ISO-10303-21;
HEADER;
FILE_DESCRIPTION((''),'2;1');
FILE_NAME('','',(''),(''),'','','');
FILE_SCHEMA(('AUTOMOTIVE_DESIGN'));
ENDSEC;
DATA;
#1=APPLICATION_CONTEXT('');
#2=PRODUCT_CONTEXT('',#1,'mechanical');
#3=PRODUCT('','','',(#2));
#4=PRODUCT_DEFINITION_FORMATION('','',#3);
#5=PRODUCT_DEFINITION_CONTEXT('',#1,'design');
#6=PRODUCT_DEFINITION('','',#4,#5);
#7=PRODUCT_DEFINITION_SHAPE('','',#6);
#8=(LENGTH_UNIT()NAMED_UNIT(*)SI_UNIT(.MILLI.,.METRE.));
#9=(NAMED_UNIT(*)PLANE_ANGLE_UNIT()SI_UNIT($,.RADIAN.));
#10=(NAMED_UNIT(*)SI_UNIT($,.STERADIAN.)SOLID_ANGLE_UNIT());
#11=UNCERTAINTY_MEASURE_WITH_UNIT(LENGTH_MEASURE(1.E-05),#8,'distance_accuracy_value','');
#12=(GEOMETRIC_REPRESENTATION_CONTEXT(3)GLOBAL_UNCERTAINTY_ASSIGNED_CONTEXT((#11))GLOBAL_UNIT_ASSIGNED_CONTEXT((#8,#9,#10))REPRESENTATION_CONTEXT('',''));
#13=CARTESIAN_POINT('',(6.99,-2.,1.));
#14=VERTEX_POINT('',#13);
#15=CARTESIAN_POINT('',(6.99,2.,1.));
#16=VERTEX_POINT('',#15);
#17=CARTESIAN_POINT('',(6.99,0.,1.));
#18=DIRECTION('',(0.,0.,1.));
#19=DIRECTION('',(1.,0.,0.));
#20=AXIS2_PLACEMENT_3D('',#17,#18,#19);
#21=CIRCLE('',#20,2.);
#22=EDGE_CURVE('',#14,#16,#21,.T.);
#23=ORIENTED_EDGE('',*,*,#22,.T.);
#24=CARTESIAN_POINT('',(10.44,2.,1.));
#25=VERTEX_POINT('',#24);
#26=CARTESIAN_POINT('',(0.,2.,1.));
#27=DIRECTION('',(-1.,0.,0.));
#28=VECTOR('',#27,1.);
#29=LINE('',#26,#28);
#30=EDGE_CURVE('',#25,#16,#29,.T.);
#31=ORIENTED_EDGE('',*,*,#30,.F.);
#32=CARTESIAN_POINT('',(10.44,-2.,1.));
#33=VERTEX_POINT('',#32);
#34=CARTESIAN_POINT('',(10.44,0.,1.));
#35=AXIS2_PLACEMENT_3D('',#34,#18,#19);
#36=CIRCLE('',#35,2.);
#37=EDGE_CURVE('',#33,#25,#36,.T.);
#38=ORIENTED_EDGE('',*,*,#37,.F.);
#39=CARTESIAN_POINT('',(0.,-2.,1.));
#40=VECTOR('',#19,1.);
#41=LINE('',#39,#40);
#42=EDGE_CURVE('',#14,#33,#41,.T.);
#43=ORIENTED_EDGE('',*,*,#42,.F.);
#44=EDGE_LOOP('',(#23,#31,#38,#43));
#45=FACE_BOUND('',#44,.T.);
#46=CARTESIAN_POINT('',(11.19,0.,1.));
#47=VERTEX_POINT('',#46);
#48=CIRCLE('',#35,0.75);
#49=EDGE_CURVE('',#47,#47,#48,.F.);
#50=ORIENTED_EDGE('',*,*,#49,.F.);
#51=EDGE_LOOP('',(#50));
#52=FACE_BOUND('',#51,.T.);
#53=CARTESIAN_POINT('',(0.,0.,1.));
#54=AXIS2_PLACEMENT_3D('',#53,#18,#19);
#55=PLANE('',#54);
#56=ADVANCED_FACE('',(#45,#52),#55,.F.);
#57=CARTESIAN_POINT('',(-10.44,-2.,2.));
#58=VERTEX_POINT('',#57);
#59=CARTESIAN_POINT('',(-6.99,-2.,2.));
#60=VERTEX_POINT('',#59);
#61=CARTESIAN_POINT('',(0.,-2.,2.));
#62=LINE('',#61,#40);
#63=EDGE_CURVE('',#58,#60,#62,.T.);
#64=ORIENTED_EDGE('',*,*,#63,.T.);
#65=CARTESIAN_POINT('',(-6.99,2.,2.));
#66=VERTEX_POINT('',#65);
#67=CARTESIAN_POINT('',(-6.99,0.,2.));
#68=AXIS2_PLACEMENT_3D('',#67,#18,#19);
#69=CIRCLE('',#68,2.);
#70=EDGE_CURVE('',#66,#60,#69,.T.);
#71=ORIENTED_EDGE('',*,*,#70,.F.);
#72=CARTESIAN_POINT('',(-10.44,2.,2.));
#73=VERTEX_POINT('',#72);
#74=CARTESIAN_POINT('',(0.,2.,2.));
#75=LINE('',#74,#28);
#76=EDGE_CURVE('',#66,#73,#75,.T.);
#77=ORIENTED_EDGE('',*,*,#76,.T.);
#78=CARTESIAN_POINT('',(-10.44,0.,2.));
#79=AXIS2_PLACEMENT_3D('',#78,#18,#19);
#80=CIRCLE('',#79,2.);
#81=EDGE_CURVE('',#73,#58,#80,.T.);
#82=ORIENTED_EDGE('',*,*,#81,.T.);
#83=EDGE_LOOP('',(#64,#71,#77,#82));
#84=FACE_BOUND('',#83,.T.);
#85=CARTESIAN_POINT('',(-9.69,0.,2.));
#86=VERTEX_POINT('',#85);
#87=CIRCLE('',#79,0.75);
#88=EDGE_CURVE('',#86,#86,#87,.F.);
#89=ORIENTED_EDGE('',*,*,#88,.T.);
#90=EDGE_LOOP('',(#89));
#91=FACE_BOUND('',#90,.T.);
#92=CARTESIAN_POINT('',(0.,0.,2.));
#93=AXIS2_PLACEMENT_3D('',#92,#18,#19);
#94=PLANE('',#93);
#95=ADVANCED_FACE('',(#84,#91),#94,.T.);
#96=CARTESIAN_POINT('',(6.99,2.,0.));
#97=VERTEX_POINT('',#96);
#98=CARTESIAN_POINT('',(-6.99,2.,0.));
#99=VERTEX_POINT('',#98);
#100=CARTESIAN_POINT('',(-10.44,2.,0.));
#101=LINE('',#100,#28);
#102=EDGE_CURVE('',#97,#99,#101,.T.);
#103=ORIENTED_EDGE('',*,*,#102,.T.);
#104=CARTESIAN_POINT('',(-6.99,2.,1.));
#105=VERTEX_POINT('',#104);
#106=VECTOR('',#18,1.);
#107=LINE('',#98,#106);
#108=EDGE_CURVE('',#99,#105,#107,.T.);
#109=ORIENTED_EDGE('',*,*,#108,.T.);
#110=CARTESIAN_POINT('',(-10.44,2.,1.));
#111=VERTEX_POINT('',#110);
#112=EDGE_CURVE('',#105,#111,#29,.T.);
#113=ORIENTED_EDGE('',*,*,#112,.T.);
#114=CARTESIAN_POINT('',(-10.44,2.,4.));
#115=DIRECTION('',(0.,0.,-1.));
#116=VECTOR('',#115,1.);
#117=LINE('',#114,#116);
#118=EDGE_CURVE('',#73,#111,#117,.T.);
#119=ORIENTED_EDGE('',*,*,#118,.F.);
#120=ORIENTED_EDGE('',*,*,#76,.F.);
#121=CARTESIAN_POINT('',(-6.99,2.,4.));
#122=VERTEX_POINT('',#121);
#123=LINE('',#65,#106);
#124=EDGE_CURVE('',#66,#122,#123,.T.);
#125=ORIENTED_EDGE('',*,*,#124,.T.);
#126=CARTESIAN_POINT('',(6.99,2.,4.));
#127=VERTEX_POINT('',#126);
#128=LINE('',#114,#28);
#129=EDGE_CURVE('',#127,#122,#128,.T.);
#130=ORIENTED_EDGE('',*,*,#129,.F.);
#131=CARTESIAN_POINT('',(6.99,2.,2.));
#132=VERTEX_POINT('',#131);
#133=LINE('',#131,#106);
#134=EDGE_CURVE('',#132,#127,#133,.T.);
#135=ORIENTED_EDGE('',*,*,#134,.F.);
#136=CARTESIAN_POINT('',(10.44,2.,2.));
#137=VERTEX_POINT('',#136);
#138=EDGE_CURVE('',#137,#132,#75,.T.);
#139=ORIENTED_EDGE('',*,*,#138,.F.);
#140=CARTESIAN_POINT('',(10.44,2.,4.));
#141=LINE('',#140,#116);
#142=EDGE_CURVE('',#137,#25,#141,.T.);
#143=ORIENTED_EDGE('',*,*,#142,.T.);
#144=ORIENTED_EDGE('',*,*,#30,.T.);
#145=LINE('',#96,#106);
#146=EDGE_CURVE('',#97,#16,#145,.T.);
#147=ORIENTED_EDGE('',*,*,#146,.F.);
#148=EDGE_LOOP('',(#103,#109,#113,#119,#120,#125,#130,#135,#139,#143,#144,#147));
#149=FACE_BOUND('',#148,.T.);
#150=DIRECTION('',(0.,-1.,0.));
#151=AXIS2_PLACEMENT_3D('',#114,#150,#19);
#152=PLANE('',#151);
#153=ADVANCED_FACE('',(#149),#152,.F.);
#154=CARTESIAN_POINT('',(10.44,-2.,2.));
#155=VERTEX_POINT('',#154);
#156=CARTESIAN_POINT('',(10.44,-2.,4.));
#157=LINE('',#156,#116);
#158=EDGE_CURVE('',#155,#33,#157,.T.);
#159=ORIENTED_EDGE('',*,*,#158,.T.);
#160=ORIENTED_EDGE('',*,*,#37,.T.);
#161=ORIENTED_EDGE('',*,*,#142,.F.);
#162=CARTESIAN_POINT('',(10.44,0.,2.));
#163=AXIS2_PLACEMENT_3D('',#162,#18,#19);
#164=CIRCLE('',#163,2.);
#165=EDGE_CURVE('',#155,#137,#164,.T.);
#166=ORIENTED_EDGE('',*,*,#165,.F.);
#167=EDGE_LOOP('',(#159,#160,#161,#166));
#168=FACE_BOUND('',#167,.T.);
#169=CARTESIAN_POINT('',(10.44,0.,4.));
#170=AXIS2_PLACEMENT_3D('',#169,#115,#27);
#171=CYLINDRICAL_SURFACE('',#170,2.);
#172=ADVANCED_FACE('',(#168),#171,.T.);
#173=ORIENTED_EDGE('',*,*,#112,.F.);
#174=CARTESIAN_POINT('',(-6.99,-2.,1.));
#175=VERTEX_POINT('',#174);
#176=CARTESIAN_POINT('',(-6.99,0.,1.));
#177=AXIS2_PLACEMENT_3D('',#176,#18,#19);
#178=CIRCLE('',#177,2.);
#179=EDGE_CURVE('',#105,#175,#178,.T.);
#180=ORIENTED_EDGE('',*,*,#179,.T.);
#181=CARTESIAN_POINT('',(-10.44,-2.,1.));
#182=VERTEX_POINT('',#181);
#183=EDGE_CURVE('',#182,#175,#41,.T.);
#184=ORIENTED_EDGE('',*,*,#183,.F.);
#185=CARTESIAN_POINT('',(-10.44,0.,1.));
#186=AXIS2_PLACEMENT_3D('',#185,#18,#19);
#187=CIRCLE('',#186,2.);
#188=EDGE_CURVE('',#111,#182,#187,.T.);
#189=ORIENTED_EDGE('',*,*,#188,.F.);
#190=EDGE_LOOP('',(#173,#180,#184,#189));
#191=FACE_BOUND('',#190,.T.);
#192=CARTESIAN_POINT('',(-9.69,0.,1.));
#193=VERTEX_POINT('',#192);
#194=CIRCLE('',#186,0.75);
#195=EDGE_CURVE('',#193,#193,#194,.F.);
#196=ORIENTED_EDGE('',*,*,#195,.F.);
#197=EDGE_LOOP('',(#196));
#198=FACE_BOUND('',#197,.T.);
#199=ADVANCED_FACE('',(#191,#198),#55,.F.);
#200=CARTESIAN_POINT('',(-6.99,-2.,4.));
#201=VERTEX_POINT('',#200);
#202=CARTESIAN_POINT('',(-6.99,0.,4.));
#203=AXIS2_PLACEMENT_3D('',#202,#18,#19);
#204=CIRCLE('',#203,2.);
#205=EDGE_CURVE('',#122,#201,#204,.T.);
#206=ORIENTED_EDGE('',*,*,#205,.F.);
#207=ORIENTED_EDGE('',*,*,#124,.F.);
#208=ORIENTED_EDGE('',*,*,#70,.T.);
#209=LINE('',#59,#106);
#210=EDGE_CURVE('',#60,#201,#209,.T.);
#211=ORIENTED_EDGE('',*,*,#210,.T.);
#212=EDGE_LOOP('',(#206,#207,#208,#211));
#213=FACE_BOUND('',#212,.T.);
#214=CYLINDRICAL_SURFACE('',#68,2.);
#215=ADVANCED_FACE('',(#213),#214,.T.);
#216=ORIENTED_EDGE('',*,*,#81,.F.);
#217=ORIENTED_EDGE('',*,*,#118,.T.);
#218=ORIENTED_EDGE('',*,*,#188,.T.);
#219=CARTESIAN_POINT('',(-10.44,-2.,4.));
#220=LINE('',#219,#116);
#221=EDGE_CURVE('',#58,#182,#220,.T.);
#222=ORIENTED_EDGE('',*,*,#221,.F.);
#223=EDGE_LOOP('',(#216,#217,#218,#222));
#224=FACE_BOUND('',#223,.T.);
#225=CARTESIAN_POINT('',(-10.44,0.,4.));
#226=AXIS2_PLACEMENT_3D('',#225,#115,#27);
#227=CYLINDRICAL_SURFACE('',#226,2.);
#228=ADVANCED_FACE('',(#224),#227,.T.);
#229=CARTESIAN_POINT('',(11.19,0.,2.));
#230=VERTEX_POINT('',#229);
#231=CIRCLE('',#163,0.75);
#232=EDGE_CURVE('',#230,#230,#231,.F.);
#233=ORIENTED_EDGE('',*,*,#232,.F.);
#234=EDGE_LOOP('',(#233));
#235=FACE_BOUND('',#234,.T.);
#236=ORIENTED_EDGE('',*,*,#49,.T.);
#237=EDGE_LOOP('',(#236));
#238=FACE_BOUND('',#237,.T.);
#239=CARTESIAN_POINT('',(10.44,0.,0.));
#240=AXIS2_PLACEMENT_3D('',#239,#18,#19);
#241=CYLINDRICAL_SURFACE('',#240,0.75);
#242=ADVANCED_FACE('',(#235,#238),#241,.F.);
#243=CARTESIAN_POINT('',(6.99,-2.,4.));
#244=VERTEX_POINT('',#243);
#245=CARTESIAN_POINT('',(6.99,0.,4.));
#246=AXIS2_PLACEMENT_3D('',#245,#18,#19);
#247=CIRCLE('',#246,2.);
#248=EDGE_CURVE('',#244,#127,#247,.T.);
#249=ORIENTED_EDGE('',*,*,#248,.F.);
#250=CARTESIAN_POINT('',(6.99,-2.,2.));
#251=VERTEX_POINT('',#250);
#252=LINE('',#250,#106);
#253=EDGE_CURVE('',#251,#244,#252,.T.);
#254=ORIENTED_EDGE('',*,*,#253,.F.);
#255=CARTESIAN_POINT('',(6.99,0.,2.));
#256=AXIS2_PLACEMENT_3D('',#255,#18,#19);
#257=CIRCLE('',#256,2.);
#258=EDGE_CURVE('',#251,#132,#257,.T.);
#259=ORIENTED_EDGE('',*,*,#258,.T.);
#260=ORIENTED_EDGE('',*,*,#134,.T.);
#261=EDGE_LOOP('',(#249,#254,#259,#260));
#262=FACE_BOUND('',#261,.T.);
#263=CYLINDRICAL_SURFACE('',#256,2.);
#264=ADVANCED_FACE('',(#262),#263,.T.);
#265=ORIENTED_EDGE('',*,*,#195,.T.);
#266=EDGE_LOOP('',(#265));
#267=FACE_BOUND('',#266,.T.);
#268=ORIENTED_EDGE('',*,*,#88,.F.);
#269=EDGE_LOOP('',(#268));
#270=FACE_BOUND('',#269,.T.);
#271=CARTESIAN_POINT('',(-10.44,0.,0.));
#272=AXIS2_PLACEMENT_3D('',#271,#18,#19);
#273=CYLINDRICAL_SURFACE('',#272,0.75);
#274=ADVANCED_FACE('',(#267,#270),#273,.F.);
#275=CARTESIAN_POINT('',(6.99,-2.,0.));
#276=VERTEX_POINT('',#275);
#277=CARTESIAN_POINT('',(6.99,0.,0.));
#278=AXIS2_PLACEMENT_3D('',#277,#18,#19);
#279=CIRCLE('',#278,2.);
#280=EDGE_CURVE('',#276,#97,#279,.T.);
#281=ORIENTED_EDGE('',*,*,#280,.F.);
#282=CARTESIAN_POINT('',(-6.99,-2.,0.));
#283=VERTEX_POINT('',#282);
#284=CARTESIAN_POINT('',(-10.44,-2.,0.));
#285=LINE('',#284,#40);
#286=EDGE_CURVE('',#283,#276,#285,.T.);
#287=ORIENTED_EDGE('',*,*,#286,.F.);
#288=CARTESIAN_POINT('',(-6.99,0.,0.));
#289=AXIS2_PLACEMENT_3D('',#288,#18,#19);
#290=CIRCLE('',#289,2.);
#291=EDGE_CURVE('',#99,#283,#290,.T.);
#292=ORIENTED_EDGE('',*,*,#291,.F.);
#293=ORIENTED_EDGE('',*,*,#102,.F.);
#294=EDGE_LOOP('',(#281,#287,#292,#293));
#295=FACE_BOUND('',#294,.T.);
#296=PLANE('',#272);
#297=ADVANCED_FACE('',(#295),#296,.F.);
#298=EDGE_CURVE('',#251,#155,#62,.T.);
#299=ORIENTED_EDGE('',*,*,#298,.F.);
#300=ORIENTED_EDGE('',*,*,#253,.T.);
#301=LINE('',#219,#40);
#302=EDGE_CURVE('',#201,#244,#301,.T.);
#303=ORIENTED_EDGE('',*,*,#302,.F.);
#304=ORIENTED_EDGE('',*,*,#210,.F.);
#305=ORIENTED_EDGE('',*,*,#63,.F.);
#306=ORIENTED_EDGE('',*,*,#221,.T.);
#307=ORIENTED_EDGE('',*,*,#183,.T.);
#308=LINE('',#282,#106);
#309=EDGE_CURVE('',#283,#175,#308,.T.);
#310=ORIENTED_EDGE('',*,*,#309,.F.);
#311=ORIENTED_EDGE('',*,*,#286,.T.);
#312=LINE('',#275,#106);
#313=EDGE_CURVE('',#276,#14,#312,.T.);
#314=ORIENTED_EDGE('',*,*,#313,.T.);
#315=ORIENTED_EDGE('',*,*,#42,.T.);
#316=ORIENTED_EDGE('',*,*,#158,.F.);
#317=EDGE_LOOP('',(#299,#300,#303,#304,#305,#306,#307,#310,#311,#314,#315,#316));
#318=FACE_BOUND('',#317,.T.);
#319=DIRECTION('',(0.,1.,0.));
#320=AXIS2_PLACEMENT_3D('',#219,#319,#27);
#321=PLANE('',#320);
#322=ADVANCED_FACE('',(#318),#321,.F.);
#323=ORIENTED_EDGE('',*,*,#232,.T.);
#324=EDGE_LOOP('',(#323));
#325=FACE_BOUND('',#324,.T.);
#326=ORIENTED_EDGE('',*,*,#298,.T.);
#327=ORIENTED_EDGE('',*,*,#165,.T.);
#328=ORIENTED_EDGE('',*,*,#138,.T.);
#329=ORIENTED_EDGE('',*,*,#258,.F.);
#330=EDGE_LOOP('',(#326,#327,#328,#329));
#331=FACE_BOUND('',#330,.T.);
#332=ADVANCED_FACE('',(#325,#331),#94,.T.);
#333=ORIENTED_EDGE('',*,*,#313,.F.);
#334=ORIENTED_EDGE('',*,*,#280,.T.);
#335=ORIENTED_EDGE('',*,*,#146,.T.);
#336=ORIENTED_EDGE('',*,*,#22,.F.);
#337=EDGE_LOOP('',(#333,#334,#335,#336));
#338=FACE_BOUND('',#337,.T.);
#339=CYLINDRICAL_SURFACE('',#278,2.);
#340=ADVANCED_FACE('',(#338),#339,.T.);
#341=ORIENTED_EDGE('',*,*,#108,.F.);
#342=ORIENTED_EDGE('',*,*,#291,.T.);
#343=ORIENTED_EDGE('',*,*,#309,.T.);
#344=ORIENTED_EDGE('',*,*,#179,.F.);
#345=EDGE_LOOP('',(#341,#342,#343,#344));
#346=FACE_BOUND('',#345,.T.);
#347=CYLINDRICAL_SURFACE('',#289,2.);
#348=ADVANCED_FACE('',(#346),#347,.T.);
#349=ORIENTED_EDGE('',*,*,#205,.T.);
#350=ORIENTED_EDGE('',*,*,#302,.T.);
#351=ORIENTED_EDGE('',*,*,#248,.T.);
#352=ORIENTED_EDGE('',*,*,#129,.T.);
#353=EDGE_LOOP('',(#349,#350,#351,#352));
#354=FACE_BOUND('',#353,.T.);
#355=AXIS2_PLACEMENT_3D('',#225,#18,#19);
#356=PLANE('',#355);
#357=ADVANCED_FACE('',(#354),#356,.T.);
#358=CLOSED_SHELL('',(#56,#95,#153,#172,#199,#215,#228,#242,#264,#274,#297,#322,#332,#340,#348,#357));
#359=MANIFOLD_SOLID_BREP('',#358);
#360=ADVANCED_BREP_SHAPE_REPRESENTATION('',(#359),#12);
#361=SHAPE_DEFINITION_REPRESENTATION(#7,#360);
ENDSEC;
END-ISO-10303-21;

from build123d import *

# Parameters (mm, degrees)
BOSS_EXTRUDE1_DEPTH = 4
SKETCH2_R           = 0.75
CUT_EXTRUDE1_DEPTH  = 4
SKETCH4_R           = 0.75
CUT_EXTRUDE2_DEPTH  = 2
CUT_EXTRUDE3_START  = -3
SKETCH4_3_R         = 0.75
CUT_EXTRUDE3_DEPTH  = 1


with BuildPart() as part:
    # Sketch1 → Boss-Extrude1 (new body)
    with BuildSketch(Plane.XY):
        with BuildLine():
            Line((-10.44, 2), (10.44, 2))
            ThreePointArc((10.44, 2), (12.44, 0), (10.44, -2))
            Line((10.44, -2), (-10.44, -2))
            ThreePointArc((-10.44, -2), (-12.44, 0), (-10.44, 2))
        make_face()
    extrude(amount=BOSS_EXTRUDE1_DEPTH)

    # Sketch2 → Cut-Extrude1 (cut)
    with BuildSketch(Plane.XY.offset(4)):
        with Locations((-10.44, 0)):
            Circle(SKETCH2_R)
        with Locations((10.44, 0)):
            Circle(SKETCH2_R)
    extrude(amount=-CUT_EXTRUDE1_DEPTH, mode=Mode.SUBTRACT)

    # Sketch4 → Cut-Extrude2 (cut)
    # profile 1 of 2: a face of its own
    with BuildSketch(Plane.XY.offset(4)):
        with BuildLine():
            ThreePointArc((-6.99, -2), (-8.99, 0), (-6.99, 2))
            Line((-6.99, 2), (-10.44, 2))
            ThreePointArc((-10.44, 2), (-12.44, 0), (-10.44, -2))
            Line((-10.44, -2), (-6.99, -2))
        make_face()
        with Locations((-10.44, 0)):
            Circle(SKETCH4_R, mode=Mode.SUBTRACT)
    # profile 2 of 2: a face of its own
    with BuildSketch(Plane.XY.offset(4)):
        with BuildLine():
            Line((10.44, 2), (6.99, 2))
            ThreePointArc((6.99, 2), (8.99, 0), (6.99, -2))
            Line((6.99, -2), (10.44, -2))
            ThreePointArc((10.44, -2), (12.44, 0), (10.44, 2))
        make_face()
        with Locations((10.44, 0)):
            Circle(SKETCH4_R, mode=Mode.SUBTRACT)
    extrude(amount=-CUT_EXTRUDE2_DEPTH, mode=Mode.SUBTRACT)

    # Sketch4<3> → Cut-Extrude3 (cut)
    # profile 1 of 2: a face of its own
    with BuildSketch(Plane.XY.offset(4).offset(CUT_EXTRUDE3_START)):
        with BuildLine():
            ThreePointArc((-6.99, -2), (-8.99, 0), (-6.99, 2))
            Line((-6.99, 2), (-10.44, 2))
            ThreePointArc((-10.44, 2), (-12.44, 0), (-10.44, -2))
            Line((-10.44, -2), (-6.99, -2))
        make_face()
        with Locations((-10.44, 0)):
            Circle(SKETCH4_3_R, mode=Mode.SUBTRACT)
    # profile 2 of 2: a face of its own
    with BuildSketch(Plane.XY.offset(4).offset(CUT_EXTRUDE3_START)):
        with BuildLine():
            Line((10.44, 2), (6.99, 2))
            ThreePointArc((6.99, 2), (8.99, 0), (6.99, -2))
            Line((6.99, -2), (10.44, -2))
            ThreePointArc((10.44, -2), (12.44, 0), (10.44, 2))
        make_face()
        with Locations((10.44, 0)):
            Circle(SKETCH4_3_R, mode=Mode.SUBTRACT)
    extrude(amount=-CUT_EXTRUDE3_DEPTH, mode=Mode.SUBTRACT)


solid = part.part
